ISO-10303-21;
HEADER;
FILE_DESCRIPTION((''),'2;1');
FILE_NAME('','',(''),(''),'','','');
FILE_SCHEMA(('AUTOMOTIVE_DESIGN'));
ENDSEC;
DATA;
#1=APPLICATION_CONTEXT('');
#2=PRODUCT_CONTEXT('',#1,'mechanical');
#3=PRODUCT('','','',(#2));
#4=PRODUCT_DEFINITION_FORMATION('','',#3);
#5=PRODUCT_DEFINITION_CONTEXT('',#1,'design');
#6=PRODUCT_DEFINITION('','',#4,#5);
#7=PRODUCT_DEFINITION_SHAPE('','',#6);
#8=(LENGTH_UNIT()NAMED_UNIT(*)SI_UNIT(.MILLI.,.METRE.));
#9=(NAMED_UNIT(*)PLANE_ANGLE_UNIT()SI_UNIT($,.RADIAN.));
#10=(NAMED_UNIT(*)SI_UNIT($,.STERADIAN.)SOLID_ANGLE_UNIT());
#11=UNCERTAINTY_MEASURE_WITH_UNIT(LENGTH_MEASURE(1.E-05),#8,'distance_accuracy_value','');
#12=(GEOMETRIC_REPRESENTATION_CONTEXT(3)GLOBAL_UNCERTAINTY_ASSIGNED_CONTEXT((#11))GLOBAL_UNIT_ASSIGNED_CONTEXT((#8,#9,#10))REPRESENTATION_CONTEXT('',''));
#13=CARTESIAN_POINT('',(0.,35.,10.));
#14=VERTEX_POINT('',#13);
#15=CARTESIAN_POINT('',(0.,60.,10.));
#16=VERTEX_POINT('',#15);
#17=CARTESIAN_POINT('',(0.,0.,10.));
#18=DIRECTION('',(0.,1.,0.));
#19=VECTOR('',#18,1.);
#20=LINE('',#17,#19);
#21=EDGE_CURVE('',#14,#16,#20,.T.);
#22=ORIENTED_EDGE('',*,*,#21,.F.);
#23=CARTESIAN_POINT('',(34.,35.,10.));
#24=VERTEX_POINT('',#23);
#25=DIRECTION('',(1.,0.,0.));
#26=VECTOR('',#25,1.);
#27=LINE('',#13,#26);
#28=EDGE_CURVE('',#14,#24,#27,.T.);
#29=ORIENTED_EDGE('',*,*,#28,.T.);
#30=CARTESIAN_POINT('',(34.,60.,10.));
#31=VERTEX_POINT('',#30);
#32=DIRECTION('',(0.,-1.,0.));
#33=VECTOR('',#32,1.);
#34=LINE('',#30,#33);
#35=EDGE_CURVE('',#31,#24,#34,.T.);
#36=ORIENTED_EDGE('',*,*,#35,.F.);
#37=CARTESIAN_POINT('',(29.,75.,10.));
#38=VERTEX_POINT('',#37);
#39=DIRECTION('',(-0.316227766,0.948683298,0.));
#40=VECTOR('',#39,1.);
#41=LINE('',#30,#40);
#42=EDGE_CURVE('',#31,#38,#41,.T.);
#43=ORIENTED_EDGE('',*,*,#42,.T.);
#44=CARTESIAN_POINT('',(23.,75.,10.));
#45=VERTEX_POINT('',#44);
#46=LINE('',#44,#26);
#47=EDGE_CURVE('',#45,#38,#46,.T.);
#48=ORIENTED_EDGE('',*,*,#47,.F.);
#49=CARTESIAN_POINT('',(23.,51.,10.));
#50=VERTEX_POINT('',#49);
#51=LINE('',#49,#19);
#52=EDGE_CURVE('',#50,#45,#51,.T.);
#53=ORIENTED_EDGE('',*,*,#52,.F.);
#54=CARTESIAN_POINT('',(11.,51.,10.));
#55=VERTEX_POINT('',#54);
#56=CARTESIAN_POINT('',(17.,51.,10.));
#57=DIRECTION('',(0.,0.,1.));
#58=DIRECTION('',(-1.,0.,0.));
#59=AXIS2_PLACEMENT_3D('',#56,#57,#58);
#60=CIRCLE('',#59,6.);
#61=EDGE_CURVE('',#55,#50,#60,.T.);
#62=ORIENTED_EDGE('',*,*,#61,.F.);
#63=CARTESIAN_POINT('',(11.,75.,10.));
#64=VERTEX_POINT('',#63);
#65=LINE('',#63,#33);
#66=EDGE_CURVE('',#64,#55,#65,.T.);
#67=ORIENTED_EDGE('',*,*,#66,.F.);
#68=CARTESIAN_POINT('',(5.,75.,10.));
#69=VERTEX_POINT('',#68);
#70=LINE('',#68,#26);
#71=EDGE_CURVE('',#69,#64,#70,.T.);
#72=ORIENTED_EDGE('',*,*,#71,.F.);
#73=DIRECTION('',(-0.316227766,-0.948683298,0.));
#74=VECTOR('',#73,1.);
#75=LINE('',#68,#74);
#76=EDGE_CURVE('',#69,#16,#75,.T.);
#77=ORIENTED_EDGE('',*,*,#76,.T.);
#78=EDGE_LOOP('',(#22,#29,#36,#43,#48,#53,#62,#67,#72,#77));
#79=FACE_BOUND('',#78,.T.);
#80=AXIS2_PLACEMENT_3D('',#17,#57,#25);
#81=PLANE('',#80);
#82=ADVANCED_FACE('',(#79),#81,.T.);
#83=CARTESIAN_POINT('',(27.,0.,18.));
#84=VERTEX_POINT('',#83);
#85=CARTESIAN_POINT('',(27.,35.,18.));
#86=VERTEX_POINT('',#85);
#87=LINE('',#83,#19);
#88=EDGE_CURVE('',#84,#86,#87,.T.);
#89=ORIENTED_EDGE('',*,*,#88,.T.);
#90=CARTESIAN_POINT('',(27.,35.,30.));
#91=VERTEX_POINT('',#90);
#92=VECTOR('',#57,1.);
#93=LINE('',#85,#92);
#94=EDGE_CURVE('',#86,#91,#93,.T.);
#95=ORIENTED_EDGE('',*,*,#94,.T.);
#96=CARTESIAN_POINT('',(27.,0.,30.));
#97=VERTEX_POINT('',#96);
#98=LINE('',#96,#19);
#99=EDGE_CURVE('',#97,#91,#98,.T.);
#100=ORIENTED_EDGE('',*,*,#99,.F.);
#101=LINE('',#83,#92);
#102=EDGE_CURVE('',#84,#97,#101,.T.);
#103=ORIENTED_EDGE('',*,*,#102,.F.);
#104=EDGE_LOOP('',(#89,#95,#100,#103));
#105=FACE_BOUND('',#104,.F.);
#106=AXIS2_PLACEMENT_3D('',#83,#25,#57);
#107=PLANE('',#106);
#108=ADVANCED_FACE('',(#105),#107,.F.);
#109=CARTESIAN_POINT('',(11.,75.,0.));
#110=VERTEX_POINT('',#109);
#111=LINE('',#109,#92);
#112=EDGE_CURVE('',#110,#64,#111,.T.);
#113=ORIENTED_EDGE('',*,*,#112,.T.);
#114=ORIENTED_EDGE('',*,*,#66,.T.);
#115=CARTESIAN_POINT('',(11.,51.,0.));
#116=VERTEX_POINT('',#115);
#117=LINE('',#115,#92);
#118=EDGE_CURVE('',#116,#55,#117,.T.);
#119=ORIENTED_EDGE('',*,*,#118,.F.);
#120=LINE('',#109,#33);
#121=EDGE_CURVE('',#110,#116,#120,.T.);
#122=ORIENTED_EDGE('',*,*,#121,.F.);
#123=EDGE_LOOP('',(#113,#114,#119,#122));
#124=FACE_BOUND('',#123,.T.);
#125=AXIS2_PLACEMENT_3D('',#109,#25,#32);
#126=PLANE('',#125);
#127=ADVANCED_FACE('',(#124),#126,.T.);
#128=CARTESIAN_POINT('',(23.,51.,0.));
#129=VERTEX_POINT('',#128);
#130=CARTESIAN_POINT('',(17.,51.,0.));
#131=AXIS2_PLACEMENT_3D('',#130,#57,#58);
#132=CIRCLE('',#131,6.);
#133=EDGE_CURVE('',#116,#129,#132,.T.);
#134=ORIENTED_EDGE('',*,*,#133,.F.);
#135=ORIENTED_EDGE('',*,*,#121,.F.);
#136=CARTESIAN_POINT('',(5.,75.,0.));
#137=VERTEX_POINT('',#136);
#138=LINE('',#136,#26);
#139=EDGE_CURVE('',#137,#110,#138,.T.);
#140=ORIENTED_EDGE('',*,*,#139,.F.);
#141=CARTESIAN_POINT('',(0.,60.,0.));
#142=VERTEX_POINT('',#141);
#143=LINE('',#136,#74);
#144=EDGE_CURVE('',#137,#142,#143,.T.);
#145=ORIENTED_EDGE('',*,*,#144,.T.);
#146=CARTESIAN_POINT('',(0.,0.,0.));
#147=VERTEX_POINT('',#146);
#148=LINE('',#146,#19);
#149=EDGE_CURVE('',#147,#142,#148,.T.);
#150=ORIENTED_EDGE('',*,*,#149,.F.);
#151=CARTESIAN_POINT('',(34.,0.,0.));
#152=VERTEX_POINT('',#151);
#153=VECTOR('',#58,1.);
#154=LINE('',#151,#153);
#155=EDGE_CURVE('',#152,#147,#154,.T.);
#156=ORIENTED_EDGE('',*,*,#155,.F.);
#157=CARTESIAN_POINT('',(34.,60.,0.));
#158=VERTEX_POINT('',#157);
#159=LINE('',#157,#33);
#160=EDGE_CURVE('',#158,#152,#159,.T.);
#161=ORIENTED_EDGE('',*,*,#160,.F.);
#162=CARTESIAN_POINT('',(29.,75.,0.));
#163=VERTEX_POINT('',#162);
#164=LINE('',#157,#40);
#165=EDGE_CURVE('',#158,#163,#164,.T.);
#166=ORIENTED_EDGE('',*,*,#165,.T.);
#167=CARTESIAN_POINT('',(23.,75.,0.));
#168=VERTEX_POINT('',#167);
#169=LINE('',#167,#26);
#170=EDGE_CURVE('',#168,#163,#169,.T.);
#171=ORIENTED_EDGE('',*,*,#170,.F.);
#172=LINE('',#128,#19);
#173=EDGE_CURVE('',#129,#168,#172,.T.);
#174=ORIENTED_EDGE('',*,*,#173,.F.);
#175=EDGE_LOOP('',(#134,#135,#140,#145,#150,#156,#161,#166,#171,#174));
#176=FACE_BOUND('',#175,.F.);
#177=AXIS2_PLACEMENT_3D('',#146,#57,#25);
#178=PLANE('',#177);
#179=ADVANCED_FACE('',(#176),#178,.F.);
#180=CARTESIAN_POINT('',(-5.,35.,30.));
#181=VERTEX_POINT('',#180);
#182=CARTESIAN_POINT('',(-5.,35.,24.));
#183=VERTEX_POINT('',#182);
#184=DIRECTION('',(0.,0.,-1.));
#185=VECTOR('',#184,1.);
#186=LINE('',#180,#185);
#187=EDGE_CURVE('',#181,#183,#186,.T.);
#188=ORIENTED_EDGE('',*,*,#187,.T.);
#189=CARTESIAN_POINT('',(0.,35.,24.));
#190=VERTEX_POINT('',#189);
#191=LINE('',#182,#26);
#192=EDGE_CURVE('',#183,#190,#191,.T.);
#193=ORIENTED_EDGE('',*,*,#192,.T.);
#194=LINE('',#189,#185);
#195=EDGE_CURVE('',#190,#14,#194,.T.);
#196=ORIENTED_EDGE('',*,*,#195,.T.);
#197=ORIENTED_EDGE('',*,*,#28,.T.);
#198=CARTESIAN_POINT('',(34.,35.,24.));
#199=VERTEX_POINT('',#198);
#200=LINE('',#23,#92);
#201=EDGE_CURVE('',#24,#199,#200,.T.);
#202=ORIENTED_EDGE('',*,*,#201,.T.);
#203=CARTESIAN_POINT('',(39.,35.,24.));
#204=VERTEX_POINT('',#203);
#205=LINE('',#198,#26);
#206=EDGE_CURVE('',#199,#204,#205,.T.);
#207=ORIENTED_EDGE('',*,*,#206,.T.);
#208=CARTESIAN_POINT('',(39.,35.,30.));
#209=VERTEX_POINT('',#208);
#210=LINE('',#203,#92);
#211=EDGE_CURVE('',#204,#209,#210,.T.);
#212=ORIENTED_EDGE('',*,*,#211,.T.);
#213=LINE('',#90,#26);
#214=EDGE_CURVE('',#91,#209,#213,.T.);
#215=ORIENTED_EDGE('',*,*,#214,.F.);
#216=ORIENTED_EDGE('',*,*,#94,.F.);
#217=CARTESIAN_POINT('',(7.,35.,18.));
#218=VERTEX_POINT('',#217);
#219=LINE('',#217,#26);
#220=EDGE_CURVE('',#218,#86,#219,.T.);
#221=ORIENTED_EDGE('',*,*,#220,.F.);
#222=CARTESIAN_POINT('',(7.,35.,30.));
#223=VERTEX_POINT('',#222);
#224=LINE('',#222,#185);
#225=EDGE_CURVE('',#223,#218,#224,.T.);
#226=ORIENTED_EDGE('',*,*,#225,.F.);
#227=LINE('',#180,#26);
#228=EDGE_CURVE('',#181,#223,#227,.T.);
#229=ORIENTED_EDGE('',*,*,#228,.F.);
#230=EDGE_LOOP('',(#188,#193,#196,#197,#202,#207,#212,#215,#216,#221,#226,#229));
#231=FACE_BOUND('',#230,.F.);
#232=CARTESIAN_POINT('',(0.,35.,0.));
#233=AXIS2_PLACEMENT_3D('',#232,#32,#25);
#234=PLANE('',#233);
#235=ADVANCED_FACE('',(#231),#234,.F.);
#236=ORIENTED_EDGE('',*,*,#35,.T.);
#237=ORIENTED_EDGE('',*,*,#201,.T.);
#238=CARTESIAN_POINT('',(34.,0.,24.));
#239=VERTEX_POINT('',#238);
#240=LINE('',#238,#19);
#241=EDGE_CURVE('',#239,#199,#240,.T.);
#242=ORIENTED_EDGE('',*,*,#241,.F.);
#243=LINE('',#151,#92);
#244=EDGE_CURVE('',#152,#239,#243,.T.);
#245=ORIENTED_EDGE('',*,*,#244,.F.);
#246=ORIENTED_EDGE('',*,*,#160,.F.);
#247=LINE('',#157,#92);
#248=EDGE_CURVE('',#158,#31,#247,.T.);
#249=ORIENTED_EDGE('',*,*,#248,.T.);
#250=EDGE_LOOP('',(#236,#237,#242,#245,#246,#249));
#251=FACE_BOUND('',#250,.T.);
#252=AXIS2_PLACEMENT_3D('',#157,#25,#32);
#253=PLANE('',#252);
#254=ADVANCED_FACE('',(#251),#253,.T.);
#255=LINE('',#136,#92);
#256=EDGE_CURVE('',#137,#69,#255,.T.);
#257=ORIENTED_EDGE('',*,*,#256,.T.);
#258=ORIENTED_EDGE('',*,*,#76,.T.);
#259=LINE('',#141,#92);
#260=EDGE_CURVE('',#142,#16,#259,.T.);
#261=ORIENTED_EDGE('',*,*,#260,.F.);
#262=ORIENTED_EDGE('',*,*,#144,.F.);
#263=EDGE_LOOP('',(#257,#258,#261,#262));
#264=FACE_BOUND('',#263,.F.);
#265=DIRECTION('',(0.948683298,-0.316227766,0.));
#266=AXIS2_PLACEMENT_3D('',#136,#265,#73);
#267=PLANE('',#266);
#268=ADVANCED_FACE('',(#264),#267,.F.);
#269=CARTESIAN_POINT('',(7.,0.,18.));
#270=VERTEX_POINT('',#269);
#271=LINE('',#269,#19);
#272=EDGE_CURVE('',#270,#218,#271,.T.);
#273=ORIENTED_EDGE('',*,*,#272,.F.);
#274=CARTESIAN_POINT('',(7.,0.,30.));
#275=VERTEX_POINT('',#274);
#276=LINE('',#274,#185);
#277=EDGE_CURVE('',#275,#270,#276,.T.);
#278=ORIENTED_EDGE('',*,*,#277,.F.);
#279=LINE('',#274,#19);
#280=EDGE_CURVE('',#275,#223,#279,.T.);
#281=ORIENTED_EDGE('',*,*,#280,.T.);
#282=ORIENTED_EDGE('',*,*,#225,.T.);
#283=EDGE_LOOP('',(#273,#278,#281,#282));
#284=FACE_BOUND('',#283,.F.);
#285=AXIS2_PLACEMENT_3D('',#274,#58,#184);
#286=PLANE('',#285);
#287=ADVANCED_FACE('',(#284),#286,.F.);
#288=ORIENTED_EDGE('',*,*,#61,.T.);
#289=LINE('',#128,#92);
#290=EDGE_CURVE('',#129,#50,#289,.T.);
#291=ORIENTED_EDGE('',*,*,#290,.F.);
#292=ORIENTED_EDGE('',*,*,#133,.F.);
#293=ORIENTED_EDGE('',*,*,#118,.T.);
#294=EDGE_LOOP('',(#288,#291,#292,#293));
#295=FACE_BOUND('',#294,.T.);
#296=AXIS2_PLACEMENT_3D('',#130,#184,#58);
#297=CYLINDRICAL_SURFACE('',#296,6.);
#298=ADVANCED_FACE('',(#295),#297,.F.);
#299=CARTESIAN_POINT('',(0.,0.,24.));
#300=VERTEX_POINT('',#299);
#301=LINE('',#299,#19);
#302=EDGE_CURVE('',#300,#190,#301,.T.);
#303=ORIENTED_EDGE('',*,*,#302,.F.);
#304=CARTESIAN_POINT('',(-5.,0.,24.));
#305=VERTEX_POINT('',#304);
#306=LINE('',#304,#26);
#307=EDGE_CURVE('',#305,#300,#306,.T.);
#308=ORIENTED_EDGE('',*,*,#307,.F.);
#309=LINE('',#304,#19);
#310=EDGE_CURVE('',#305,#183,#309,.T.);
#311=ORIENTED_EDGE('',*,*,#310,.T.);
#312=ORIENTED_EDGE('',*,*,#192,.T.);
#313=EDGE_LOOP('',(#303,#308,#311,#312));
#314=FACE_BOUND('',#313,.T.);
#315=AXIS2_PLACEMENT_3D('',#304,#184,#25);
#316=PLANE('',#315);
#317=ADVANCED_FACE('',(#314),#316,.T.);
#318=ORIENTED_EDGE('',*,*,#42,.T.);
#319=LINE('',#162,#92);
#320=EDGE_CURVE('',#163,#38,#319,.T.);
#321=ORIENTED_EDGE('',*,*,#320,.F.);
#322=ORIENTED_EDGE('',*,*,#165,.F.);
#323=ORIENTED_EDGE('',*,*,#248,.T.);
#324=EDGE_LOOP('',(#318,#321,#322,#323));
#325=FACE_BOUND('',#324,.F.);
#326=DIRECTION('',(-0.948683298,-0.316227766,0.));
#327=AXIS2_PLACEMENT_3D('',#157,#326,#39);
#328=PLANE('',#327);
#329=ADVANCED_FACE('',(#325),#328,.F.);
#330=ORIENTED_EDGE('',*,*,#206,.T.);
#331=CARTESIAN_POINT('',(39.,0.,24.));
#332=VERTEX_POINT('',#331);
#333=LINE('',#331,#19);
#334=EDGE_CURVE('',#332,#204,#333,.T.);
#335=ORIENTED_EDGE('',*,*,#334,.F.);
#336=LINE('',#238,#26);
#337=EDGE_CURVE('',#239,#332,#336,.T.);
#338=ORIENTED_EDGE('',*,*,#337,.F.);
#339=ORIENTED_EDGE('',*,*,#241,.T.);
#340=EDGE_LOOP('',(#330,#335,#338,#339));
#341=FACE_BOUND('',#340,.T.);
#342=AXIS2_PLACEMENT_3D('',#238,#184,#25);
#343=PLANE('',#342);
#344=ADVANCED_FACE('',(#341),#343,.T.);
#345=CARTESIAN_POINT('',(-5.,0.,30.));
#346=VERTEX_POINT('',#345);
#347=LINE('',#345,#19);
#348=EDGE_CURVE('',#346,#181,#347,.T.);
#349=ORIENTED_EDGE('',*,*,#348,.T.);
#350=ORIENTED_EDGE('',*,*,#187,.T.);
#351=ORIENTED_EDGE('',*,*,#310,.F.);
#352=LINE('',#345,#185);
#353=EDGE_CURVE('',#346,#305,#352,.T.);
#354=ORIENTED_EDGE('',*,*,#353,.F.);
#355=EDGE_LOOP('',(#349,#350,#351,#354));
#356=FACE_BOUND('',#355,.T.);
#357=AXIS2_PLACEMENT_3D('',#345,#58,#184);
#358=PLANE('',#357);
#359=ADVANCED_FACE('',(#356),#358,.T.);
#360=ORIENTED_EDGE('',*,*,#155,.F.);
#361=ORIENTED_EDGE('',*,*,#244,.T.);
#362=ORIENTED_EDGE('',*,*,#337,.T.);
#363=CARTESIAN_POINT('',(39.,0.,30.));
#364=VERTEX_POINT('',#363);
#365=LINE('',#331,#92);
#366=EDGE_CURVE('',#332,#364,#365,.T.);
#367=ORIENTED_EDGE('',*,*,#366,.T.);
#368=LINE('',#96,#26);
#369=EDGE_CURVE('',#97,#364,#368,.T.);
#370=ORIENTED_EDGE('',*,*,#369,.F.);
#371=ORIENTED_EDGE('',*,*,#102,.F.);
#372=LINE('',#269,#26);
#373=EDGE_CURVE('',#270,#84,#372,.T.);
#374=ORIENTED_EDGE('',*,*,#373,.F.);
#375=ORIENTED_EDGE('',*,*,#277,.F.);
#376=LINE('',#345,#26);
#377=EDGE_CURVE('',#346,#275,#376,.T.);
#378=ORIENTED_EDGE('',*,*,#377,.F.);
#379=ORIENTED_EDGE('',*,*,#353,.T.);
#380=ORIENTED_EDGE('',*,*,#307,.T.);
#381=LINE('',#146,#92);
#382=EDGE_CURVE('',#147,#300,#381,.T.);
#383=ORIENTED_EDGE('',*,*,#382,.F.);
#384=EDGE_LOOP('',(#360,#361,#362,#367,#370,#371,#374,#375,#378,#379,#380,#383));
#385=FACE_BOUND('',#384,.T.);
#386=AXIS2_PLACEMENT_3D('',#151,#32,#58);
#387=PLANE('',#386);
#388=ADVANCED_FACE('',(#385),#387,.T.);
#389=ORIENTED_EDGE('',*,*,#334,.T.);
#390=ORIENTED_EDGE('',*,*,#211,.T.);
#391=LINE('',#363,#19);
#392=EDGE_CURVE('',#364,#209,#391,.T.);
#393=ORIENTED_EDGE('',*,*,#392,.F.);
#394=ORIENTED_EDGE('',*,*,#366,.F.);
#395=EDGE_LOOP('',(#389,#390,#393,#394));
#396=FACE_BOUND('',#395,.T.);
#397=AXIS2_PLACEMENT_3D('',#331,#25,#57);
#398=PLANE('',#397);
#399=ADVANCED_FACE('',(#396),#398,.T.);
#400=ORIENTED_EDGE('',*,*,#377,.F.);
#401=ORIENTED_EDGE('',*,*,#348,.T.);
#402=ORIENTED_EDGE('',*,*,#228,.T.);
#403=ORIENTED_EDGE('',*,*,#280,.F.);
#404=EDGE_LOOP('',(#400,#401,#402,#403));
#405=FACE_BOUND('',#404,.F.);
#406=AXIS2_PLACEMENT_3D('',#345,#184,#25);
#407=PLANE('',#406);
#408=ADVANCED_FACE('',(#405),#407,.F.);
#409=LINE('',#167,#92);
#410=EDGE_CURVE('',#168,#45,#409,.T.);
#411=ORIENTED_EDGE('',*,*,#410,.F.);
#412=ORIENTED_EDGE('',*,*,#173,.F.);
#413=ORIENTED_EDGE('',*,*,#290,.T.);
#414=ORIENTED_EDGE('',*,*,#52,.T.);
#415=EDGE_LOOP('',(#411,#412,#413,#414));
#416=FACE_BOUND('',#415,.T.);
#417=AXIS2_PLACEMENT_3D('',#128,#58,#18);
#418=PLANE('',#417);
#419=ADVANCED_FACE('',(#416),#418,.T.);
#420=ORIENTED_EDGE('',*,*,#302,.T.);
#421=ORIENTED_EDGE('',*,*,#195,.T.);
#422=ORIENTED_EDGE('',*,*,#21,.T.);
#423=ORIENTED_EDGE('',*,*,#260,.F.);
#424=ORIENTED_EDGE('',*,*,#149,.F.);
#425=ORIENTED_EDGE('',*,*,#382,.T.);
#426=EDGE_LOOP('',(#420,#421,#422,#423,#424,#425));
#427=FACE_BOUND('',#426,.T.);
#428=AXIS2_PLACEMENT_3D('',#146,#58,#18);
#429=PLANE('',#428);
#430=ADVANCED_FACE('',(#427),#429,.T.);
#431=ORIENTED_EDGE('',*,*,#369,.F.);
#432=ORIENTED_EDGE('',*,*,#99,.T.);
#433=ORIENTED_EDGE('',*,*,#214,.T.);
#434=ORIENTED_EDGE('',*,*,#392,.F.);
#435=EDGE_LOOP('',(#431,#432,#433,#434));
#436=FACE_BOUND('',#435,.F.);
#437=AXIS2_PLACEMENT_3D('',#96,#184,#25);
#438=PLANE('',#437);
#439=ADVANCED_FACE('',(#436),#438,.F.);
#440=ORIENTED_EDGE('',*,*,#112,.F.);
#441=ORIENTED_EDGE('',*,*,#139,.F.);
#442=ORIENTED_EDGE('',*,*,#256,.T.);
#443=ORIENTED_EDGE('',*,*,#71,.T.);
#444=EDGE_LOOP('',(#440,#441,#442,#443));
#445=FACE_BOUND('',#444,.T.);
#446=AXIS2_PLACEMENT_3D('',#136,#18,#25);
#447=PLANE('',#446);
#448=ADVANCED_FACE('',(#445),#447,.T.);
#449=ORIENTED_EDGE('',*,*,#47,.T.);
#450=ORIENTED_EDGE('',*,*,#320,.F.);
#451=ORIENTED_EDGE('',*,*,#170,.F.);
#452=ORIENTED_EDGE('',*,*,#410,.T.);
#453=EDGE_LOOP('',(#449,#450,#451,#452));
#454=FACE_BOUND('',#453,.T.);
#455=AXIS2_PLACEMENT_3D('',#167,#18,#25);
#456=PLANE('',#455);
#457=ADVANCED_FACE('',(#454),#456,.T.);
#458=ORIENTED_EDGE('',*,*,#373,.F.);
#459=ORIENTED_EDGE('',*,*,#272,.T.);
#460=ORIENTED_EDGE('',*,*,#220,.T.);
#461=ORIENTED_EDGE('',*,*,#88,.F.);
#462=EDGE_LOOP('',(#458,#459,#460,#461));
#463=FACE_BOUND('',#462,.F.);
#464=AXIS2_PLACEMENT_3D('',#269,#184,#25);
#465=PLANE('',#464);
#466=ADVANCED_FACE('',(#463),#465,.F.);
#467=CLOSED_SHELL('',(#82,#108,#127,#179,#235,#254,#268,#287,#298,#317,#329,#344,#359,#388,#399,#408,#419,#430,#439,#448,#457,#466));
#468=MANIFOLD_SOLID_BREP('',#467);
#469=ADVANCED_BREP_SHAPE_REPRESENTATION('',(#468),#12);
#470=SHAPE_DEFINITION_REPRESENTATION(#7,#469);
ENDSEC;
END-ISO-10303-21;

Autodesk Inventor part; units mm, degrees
ref_plane "YZ Plane" through (0, 0, 0) normal (1, 0, 0) x (0, 1, 0)
ref_plane "XZ Plane" through (0, 0, 0) normal (0, 1, 0) x (-1, 0, 0)
ref_plane "XY Plane" through (0, 0, 0) normal (0, 0, 1) x (1, 0, 0)
sketch "Náčrt1" plane through (0, 0, 0) normal (0, 0, 1) x (1, 0, 0)
  line L0 (0, 0) -> (0, 60)
  line L1 (5, 75) -> (0, 60)
  line L2 (5, 75) -> (11, 75)
  line L3 (11, 75) -> (11, 51)
  arc A0 (11, 51) -> (23, 51) centre (17, 51) ccw
  line L4 (23, 51) -> (23, 75)
  line L5 (23, 75) -> (29, 75)
  line L6 (34, 60) -> (29, 75)
  line L7 (34, 60) -> (34, 0)
  line L8 (34, 0) -> (0, 0)
  dimension "d0" = 60
  dimension "d3" = 6
  dimension "d4" = 24
  dimension "d5" = 12
  dimension "d6" = 6
extrude "Vysunutí1" add sketch "Náčrt1" along normal blind 10
sketch "Náčrt2" plane through (0, 0, 0) normal (0, -1, 0) x (1, 0, 0)
  line L0 (5, 10) -> (0, 10) projected
  line L1 (34, 0) -> (34, 10) projected
  line L2 (0, 10) -> (34, 10)
  line L3 (34, 10) -> (34, 24)
  line L4 (34, 24) -> (39, 24)
  line L5 (39, 24) -> (39, 30)
  line L6 (-5, 30) -> (-5, 24)
  line L7 (-5, 24) -> (0, 24)
  line L8 (0, 24) -> (0, 10)
  line L9 (-5, 30) -> (7, 30)
  line L10 (7, 30) -> (7, 18)
  line L11 (7, 18) -> (27, 18)
  line L12 (27, 18) -> (27, 30)
  line L13 (27, 30) -> (39, 30)
  point P0 (0, 0)
  dimension "d11" = 14
  dimension "d12" = 5
  dimension "d13" = 6
  dimension "d14" = 44
  dimension "d15" = 6
  dimension "d16" = 12
  dimension "d17" = 12
  dimension "d18" = 20
extrude "Vysunutí2" add sketch "Náčrt2" against normal blind 35
properties part number "6"
